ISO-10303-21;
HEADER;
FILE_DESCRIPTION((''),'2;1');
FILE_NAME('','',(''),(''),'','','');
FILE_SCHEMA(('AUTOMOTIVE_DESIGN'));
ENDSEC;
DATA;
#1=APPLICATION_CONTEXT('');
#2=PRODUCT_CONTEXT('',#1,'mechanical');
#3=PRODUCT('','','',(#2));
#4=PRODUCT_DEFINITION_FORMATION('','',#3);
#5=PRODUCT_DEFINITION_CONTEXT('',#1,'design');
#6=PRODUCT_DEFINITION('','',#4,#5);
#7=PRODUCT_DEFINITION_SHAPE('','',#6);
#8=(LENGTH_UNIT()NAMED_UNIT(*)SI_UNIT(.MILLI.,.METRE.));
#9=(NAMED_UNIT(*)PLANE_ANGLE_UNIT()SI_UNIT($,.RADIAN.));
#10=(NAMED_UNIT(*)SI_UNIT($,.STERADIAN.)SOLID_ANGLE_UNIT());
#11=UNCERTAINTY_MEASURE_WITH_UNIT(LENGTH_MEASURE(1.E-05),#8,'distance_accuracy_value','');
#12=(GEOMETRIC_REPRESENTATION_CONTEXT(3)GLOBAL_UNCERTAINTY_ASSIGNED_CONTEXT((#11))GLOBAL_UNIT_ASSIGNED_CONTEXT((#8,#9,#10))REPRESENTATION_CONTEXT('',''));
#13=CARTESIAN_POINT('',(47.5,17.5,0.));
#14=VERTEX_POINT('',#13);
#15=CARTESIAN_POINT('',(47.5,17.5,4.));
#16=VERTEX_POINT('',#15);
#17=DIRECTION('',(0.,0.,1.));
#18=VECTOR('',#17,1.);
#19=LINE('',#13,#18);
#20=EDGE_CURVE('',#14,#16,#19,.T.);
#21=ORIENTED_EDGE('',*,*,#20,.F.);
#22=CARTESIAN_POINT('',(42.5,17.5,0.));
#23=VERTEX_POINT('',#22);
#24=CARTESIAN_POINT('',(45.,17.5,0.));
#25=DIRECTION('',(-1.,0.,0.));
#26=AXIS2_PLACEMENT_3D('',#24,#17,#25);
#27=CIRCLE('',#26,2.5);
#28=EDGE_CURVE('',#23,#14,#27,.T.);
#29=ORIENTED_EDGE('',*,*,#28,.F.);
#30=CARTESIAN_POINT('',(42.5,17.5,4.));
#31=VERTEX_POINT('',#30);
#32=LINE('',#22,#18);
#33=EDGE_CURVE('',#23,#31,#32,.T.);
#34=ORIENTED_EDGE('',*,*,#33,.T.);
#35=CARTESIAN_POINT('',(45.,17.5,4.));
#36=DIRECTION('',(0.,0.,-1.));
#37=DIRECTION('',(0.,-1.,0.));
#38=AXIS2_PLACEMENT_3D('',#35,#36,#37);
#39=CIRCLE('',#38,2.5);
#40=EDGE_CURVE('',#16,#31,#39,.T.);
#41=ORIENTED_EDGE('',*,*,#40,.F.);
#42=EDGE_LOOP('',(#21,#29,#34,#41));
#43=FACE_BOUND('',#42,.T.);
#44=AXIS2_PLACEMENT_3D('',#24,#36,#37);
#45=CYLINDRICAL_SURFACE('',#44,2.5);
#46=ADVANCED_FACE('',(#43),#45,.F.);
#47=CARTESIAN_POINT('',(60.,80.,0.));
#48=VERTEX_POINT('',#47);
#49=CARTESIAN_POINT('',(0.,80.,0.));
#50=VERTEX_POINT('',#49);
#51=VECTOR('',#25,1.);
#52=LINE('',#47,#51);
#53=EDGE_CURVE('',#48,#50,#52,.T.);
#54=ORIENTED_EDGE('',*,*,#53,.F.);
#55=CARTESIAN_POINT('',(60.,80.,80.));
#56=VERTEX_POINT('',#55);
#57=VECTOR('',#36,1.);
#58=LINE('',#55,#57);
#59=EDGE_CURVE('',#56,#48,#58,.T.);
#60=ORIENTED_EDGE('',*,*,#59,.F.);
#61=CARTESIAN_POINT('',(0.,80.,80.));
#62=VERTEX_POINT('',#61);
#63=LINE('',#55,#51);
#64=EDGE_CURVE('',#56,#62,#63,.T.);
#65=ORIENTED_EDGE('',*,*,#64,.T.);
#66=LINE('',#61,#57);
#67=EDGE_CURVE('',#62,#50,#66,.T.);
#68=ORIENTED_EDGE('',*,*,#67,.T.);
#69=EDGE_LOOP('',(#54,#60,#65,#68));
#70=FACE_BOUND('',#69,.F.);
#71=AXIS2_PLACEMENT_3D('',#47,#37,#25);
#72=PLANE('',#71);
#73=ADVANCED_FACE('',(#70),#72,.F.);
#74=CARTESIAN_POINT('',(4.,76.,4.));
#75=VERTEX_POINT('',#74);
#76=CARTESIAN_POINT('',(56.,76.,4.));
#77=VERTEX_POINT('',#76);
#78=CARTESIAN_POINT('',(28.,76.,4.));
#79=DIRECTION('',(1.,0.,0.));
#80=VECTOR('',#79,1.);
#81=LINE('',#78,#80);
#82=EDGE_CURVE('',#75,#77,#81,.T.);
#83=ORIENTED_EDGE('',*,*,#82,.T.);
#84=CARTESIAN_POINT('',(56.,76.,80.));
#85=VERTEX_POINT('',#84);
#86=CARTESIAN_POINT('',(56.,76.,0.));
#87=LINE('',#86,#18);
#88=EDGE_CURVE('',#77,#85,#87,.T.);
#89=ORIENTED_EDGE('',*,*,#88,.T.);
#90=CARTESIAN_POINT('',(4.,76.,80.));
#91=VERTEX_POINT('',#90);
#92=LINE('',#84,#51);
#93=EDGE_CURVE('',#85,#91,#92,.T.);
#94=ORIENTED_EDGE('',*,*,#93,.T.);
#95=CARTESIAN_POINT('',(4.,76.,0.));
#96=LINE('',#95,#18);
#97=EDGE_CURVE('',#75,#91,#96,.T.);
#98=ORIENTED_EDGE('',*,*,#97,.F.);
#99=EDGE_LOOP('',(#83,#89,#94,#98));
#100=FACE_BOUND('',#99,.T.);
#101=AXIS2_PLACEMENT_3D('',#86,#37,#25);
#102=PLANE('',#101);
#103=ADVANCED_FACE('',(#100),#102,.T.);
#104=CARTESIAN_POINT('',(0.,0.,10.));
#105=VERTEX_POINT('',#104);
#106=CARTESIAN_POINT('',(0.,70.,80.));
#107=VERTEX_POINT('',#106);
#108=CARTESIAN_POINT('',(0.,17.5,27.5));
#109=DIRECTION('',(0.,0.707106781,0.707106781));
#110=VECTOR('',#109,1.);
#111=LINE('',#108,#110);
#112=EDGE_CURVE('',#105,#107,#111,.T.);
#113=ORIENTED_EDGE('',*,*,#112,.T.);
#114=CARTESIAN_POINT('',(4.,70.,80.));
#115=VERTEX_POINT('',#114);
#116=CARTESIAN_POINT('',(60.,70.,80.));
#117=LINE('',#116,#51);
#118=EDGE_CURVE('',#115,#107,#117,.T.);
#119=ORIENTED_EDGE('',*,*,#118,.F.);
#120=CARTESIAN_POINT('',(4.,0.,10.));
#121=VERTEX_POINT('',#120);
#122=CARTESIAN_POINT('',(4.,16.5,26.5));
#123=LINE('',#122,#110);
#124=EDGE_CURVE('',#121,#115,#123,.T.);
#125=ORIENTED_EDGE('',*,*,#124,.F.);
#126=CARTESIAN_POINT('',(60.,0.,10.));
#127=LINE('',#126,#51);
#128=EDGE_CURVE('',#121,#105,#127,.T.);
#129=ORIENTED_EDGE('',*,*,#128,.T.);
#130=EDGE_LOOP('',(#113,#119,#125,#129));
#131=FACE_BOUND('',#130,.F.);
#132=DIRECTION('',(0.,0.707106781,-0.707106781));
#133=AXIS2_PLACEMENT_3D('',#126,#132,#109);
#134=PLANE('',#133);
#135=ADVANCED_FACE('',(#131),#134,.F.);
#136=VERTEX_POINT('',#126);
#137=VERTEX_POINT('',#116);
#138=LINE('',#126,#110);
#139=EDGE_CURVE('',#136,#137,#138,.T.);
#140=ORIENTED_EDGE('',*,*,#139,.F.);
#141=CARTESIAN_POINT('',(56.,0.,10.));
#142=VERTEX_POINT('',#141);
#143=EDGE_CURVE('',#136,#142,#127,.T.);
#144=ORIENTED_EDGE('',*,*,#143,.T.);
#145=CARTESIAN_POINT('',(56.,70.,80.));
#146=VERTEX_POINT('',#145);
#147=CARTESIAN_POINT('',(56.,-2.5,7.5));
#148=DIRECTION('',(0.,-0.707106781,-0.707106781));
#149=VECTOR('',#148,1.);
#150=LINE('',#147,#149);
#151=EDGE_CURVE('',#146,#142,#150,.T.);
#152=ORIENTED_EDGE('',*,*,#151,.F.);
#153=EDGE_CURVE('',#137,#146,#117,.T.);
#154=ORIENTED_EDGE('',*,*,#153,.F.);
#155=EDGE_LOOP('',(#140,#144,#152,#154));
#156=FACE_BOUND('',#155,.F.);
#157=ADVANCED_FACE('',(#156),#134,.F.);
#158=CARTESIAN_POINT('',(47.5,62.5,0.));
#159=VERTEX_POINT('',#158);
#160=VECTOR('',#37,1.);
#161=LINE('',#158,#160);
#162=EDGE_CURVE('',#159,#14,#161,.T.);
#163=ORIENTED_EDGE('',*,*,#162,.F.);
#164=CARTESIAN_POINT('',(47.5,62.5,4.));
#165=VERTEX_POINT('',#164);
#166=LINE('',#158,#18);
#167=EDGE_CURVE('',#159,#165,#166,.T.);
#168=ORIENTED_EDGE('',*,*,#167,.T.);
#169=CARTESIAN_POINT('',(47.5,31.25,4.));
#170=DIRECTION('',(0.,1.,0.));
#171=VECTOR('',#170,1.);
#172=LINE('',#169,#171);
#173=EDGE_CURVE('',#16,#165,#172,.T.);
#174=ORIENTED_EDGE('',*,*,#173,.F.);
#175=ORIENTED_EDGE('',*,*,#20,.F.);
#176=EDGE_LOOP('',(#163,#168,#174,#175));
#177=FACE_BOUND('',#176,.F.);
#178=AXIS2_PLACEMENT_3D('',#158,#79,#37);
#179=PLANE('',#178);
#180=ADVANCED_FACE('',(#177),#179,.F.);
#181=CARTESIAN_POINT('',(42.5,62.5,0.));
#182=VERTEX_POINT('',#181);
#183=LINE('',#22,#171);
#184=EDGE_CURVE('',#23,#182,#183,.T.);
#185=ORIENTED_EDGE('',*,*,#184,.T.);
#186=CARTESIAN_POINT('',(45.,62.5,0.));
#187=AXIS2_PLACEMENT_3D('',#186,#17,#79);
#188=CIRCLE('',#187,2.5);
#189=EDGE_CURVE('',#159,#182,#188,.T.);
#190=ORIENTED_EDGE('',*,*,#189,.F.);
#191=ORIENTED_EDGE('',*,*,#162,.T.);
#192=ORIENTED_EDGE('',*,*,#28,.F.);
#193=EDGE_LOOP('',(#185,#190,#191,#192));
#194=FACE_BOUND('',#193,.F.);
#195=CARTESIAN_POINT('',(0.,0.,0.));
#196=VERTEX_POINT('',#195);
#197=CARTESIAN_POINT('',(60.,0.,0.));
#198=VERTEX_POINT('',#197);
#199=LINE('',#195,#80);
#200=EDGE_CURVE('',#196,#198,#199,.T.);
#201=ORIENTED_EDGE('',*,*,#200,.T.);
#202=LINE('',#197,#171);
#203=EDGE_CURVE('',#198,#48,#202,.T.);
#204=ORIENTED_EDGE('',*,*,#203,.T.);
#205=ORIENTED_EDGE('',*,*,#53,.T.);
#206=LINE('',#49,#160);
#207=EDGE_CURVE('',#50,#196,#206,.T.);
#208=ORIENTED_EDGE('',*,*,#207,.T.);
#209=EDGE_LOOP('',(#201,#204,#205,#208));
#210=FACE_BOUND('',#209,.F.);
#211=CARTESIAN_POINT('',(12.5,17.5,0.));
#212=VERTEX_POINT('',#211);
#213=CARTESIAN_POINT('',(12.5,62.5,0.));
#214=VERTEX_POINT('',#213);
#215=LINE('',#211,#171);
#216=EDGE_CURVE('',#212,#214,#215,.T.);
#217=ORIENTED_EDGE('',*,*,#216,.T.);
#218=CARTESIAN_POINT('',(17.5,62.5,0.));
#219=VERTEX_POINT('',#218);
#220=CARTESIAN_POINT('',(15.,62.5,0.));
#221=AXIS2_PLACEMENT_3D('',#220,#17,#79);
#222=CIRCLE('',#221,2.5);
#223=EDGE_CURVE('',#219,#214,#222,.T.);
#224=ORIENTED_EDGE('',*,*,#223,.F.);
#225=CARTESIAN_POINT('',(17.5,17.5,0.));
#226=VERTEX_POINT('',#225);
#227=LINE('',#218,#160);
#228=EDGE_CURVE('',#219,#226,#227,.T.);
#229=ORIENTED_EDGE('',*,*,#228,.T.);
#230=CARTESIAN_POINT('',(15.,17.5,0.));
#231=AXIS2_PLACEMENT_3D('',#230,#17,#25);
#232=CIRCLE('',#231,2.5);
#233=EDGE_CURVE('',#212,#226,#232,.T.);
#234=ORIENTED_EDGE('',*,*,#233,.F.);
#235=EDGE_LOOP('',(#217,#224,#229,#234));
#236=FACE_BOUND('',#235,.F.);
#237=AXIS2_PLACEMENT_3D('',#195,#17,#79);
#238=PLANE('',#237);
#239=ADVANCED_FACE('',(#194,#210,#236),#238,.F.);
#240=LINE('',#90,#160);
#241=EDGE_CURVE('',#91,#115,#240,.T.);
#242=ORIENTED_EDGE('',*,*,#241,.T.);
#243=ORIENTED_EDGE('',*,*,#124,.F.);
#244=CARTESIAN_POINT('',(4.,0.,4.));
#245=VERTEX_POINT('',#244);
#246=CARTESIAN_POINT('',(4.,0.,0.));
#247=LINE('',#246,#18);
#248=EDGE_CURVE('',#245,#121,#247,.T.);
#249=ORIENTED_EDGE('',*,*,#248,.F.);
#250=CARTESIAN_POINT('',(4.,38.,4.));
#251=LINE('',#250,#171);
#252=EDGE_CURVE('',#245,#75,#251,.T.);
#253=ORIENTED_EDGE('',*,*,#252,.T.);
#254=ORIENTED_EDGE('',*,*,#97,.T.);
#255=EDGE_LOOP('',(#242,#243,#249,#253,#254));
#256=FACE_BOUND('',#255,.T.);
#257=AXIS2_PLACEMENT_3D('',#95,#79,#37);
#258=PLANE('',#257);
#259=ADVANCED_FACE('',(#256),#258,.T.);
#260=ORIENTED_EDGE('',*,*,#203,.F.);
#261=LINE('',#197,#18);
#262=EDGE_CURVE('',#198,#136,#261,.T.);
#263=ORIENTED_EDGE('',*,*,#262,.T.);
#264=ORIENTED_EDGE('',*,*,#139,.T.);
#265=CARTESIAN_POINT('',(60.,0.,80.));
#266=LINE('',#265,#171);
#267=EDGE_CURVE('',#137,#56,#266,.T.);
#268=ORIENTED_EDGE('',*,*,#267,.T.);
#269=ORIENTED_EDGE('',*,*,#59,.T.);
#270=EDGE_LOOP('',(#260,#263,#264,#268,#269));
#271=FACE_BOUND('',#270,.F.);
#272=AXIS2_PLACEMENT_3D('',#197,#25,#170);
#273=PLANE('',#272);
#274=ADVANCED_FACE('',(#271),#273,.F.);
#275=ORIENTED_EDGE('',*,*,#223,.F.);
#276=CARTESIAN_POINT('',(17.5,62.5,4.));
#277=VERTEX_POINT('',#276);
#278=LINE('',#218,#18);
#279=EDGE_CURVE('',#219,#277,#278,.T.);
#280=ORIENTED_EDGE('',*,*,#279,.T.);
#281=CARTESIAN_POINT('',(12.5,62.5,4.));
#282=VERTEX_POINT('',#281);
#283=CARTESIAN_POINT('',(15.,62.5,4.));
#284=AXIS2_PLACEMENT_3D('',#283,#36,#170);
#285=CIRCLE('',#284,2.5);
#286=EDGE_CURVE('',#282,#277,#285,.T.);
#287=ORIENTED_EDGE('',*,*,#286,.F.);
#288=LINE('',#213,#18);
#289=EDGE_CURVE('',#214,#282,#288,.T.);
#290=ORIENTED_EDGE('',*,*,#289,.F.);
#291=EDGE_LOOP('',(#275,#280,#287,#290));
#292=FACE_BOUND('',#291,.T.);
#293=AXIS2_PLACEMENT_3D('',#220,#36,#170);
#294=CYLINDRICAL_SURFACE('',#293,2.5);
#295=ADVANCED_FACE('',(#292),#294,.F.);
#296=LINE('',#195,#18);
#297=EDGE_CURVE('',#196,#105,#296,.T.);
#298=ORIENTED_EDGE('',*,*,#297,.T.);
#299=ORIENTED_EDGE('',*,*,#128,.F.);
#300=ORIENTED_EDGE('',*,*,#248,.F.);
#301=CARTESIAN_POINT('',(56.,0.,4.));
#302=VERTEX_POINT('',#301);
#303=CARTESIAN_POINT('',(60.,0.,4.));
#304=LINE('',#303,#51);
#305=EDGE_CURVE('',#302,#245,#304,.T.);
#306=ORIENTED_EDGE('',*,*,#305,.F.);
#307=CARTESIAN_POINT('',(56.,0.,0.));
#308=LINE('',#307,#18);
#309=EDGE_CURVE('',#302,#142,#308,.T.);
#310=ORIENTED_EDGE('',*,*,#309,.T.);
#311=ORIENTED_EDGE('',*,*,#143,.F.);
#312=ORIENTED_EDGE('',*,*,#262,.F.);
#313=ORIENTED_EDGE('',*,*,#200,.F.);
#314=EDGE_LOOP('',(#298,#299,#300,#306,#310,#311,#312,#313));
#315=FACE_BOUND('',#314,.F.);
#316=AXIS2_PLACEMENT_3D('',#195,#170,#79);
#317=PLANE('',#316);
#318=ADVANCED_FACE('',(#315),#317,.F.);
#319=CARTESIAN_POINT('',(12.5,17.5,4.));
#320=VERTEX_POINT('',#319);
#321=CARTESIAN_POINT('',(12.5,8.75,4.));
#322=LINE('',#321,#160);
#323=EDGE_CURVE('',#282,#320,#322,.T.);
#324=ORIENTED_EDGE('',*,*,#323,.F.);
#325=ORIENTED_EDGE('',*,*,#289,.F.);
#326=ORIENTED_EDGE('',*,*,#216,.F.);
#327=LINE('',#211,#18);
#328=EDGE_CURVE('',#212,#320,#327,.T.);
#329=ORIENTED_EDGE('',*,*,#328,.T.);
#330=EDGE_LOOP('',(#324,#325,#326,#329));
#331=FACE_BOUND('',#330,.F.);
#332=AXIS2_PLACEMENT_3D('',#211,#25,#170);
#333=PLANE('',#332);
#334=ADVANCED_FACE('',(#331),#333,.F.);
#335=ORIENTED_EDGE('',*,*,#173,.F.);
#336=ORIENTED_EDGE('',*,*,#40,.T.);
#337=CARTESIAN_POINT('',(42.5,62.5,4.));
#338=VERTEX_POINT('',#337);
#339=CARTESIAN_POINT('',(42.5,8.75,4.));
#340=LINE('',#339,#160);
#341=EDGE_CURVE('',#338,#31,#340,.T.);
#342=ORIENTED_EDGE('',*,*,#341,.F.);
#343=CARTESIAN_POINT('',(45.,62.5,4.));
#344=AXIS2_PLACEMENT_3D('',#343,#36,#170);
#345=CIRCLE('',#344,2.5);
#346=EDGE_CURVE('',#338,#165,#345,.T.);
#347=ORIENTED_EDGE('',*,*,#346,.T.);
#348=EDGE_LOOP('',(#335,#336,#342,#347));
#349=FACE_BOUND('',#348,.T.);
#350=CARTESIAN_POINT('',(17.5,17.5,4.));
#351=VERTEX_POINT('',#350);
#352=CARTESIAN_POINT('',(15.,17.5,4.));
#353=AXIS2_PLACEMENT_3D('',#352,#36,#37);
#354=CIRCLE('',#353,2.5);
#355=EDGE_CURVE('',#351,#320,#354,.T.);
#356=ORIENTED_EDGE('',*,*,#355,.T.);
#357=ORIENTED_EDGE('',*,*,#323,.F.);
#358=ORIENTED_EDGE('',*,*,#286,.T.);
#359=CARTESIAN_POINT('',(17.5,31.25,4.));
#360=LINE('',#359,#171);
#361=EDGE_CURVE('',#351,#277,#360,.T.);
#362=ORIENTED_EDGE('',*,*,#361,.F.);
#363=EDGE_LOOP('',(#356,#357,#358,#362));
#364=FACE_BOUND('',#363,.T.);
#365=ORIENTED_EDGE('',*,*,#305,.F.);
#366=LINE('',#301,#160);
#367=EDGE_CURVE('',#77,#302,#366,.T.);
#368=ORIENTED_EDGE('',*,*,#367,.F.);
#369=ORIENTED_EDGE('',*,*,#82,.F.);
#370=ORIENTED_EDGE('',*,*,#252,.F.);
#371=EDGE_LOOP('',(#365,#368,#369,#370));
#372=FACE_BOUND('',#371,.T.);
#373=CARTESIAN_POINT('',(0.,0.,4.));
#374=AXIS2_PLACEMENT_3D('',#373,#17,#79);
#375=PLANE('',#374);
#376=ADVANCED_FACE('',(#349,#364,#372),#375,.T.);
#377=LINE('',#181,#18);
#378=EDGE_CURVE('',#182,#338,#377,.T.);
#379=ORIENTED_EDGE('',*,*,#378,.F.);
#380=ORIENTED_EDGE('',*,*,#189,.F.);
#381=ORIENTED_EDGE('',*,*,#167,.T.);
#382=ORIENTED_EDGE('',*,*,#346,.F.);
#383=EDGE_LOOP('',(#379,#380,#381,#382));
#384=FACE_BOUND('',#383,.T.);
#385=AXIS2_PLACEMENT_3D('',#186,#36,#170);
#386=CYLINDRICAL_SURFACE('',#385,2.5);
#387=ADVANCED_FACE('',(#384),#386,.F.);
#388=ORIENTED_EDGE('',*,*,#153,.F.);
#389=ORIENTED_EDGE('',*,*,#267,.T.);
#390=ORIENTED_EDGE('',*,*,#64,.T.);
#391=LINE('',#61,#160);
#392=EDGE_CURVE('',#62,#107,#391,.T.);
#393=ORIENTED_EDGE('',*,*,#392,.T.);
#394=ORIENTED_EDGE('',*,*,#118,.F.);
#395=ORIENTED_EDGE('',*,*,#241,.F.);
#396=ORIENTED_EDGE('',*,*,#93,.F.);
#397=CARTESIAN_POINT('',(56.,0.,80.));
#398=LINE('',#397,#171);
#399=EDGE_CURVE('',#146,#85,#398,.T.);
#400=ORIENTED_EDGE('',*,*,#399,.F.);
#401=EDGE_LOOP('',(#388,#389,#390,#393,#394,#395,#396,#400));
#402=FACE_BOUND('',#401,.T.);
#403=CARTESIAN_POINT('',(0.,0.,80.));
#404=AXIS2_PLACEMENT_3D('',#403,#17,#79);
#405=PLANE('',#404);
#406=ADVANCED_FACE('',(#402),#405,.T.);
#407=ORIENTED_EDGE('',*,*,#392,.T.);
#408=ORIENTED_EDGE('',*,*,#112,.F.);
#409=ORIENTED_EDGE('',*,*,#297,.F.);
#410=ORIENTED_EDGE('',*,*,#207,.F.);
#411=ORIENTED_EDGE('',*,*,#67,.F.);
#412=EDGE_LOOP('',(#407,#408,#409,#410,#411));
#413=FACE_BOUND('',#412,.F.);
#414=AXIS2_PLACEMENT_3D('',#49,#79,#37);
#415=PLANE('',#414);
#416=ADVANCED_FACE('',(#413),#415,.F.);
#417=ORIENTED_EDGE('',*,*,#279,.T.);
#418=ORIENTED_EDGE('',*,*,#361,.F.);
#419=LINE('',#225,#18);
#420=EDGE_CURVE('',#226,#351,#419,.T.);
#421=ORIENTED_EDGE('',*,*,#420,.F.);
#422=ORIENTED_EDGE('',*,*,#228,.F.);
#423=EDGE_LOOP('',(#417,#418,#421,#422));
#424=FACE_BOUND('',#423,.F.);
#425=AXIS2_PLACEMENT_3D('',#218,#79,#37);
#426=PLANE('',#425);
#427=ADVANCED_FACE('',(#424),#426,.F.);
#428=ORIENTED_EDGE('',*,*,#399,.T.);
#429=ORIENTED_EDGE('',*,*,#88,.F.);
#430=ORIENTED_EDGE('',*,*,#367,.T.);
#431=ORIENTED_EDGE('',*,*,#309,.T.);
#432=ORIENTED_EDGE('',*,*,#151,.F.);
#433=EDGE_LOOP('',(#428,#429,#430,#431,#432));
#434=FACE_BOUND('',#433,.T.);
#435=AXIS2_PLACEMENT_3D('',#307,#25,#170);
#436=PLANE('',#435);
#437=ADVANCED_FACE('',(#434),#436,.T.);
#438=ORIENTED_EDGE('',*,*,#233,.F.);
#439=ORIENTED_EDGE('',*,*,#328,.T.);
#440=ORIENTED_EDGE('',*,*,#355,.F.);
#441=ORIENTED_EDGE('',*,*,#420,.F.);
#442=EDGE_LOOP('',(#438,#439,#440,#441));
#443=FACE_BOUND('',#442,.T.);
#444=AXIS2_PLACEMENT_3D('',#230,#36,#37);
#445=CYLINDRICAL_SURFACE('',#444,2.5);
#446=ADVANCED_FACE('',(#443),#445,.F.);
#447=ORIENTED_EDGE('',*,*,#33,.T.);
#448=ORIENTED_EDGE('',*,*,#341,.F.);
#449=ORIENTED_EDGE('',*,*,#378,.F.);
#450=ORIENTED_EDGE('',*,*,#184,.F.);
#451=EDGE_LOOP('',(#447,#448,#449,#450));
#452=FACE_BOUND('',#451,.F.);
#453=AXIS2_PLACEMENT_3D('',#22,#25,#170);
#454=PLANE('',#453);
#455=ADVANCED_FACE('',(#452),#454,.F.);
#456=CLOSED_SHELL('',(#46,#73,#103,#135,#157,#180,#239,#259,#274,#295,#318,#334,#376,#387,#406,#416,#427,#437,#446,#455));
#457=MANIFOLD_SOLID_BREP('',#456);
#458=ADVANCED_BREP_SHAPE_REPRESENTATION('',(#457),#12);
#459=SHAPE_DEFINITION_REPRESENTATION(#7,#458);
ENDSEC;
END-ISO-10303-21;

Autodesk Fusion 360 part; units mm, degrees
sketch "Sketch2" plane through (0, 0, 0) normal (0, 0, 1) x (1, 0, 0)
  line L0 (0, 0) -> (60, 0)
  line L1 (60, 0) -> (60, 80)
  line L2 (60, 80) -> (0, 80)
  line L3 (0, 80) -> (0, 0)
  line L4 (56, 0) -> (56, 76)
  line L5 (56, 76) -> (4, 76)
  line L6 (4, 76) -> (4, 0)
  line L7 (15, 65) -> (15, 65)
  line L8 (17.5, 62.5) -> (17.5, 17.5)
  line L9 (15, 15) -> (15, 15)
  line L10 (12.5, 17.5) -> (12.5, 62.5)
  line L11 (45, 65) -> (45, 65)
  line L12 (47.5, 62.5) -> (47.5, 17.5)
  line L13 (45, 15) -> (45, 15)
  line L14 (42.5, 17.5) -> (42.5, 62.5)
  arc A0 (15, 65) -> (12.5, 62.5) centre (15, 62.5) ccw
  arc A1 (17.5, 62.5) -> (15, 65) centre (15, 62.5) ccw
  arc A2 (45, 65) -> (42.5, 62.5) centre (45, 62.5) ccw
  arc A3 (47.5, 62.5) -> (45, 65) centre (45, 62.5) ccw
  arc A4 (12.5, 17.5) -> (15, 15) centre (15, 17.5) ccw
  arc A5 (15, 15) -> (17.5, 17.5) centre (15, 17.5) ccw
  arc A6 (42.5, 17.5) -> (45, 15) centre (45, 17.5) ccw
  arc A7 (45, 15) -> (47.5, 17.5) centre (45, 17.5) ccw
  dimension "d1" = 60
  dimension "d2" = 80
  dimension "d3" = 4
  dimension "d4" = 4
  dimension "d5" = 4
  dimension "d7" = 25
  dimension "d8" = 8.5
  dimension "d9" = 5
  dimension "d10" = 5
  dimension "d14" = 2.5
  dimension "d15" = 2.5
  dimension "d16" = 2.5
  dimension "d17" = 2.5
  dimension "d18" = 2.5
  dimension "d19" = 2.5
  dimension "d20" = 15
extrude "Extrude1" add sketch "Sketch2" along normal blind 4 contours L0 L1 L2 L3 L4 L5 L6 | L0 L4 L5 L6 | L8 L10 A0 A1 A4 A5 | L12 L14 A2 A3 A6 A7
extrude "Extrude2" add sketch "Sketch2" along normal blind 80 contours L0 L1 L2 L3 L4 L5 L6
sketch "Sketch3" plane through (60, 0, 0) normal (1, 0, 0) x (0, 1, 0)
  line L0 (0, 0) -> (80, 0)
  line L1 (80, 0) -> (80, 80)
  line L2 (80, 80) -> (0, 80)
  line L3 (0, 80) -> (0, 0)
  line L4 (0, 10) -> (70, 80)
  dimension "d25" = 10
  dimension "d26" = 10
extrude "Extrude3" cut sketch "Sketch3" against normal blind 95 contours L2 L3 L4
extrude "Extrude4" cut sketch "Sketch2" along normal blind 10 contours L8 L10 A0 A1 A4 A5 | L12 L14 A2 A3 A6 A7
